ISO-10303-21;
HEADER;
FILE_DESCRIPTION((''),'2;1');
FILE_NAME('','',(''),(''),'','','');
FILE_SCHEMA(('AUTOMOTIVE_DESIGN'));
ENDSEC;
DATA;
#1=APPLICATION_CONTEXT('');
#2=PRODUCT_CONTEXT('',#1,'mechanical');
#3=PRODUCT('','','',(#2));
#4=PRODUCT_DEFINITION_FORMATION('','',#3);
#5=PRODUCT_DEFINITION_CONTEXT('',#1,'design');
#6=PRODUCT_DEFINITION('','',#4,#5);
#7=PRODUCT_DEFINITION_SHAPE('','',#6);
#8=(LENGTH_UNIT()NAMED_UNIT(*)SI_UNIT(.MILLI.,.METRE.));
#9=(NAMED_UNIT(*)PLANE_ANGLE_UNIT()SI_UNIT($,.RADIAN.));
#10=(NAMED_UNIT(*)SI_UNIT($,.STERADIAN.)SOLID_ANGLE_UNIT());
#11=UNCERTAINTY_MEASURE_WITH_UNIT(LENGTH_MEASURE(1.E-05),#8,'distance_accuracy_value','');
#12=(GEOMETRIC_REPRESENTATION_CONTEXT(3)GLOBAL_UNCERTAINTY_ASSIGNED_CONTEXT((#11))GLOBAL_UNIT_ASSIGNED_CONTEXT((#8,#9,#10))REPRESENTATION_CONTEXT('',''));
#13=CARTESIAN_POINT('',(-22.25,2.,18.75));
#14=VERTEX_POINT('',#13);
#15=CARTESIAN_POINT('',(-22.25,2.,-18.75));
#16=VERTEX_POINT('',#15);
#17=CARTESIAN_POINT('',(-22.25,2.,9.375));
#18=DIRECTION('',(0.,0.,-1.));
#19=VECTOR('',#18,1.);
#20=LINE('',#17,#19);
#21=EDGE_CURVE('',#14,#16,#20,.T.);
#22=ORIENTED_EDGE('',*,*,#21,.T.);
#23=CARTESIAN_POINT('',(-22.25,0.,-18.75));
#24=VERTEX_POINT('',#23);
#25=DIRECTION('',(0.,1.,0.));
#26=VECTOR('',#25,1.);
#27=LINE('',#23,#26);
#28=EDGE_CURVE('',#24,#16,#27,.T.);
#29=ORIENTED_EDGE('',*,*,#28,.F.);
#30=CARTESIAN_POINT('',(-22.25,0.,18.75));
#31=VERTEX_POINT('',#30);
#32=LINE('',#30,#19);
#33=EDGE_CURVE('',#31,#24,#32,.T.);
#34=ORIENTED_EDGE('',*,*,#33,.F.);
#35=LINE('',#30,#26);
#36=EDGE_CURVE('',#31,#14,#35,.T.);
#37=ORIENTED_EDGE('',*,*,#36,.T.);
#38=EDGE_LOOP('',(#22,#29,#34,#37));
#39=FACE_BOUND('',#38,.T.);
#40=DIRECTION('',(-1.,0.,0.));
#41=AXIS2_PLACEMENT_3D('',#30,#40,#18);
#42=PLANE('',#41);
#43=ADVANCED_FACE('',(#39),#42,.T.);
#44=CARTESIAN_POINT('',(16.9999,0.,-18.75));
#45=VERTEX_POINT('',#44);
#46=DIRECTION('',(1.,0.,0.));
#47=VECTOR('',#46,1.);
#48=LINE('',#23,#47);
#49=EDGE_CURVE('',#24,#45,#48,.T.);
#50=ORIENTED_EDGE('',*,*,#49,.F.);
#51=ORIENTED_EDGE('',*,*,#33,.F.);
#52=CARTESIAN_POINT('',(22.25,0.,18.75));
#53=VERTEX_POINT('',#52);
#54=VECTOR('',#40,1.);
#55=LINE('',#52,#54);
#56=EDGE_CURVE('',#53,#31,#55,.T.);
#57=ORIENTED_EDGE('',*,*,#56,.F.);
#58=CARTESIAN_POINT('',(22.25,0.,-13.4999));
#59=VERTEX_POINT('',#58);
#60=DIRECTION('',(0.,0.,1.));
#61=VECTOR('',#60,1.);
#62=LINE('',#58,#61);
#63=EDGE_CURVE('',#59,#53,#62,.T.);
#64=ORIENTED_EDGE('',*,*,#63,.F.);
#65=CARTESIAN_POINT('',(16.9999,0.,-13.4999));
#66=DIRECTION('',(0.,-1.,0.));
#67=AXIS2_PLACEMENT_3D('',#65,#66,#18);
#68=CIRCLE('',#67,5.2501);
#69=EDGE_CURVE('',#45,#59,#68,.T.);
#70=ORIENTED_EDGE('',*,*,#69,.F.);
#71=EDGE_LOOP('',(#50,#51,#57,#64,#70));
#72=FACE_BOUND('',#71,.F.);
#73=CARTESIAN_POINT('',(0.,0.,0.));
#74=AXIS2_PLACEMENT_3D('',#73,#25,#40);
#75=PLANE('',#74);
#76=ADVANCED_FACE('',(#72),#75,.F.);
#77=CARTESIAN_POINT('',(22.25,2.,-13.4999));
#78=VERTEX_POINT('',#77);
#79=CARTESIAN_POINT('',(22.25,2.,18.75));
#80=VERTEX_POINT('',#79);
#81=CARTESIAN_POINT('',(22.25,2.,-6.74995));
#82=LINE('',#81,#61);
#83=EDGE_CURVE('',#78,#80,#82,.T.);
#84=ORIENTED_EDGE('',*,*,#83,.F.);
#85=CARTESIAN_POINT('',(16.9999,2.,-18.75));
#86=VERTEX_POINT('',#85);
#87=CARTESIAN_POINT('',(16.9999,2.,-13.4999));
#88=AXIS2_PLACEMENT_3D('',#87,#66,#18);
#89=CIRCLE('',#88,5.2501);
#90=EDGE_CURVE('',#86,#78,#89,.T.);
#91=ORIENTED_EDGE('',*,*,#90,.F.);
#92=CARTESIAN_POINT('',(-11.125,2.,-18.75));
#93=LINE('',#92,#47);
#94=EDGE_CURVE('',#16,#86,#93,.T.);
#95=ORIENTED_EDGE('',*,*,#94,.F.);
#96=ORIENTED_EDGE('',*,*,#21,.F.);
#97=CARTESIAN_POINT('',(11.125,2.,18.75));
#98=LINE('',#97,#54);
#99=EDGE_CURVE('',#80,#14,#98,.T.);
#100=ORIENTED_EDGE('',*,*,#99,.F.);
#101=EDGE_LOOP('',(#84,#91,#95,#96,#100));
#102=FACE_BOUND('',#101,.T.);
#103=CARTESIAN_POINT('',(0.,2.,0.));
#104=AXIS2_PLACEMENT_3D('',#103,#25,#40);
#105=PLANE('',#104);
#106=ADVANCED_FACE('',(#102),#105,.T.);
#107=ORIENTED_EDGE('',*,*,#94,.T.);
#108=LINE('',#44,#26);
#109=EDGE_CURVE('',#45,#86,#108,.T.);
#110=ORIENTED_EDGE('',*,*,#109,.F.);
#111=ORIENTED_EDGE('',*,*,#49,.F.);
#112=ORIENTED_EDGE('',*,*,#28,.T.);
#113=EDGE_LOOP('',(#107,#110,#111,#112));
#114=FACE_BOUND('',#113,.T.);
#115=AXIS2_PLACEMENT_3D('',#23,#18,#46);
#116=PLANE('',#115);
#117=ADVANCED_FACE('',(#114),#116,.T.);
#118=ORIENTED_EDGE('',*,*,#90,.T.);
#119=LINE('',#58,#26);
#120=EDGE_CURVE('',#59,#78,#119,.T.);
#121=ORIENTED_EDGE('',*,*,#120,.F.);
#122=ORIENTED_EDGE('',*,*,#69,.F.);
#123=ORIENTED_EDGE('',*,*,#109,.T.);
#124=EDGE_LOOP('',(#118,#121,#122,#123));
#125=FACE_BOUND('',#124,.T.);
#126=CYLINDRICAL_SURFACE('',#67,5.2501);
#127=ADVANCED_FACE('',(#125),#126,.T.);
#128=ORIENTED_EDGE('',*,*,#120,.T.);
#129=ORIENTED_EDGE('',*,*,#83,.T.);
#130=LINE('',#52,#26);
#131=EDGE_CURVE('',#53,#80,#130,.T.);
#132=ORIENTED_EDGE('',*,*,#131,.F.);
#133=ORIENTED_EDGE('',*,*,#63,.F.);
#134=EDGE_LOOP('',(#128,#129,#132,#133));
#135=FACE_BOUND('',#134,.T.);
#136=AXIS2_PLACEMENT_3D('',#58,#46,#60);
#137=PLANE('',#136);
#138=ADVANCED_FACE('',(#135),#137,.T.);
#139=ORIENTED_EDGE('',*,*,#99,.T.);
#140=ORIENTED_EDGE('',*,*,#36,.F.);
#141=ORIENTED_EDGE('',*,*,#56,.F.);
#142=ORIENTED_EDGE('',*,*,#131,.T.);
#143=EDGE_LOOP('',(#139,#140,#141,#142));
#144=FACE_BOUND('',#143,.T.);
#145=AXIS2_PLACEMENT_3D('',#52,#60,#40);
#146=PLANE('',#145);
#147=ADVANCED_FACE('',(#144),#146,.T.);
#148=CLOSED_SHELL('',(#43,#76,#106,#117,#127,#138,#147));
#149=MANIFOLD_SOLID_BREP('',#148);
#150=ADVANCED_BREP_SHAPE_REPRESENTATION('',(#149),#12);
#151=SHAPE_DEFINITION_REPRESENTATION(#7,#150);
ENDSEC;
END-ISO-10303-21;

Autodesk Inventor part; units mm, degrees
ref_plane "YZ Plane" through (0, 0, 0) normal (1, 0, 0) x (0, 1, 0)
ref_plane "XZ Plane" through (0, 0, 0) normal (0, 1, 0) x (-1, 0, 0)
ref_plane "XY Plane" through (0, 0, 0) normal (0, 0, 1) x (1, 0, 0)
sketch "Sketch1" plane through (0, 0, 0) normal (0, 1, 0) x (-1, 0, 0)
  line L0 (35, 0) -> (-35, 0) construction
  line L1 (0, -28) -> (0, 28) construction
  line L2 (-25, 20) -> (25, 20)
  line L3 (25, 20) -> (25, -20)
  line L4 (25, -20) -> (-25, -20)
  line L5 (-25, -20) -> (-25, 20)
  line L6 (-25, 0) -> (25, 0) construction
  point P0 (0, 0)
  dimension "d0" = 50
  dimension "d1" = 40
extrude "Extrusion1" add sketch "Sketch1" along normal blind 2
sketch "Sketch2" plane through (0, 0, 0) normal (0, -1, 0) x (1, 0, 0)
  line L0 (22.5, 19) -> (22.5, -13.4999) construction
  arc A0 (16.9999, -19) -> (22.5, -13.4999) centre (16.9999, -13.4999) ccw construction
  line L1 (16.9999, -19) -> (-22.5, -19) construction
  line L2 (-22.5, -19) -> (-22.5, 19) construction
  line L3 (-22.5, 19) -> (22.5, 19) construction
  line L4 (-22.25, -18.75) -> (16.9999, -18.75)
  arc A1 (16.9999, -18.75) -> (22.25, -13.4999) centre (16.9999, -13.4999) ccw
  line L5 (22.25, -13.4999) -> (22.25, 18.75)
  line L6 (22.25, 18.75) -> (-22.25, 18.75)
  line L7 (-22.25, 18.75) -> (-22.25, -18.75)
  line L8 (16.9999, -26.75) -> (-30.25, -26.75)
  line L9 (-30.25, -26.75) -> (-30.25, 26.75)
  line L10 (-30.25, 26.75) -> (30.25, 26.75)
  line L11 (30.25, 26.75) -> (30.25, -13.4999)
  arc A2 (16.9999, -26.75) -> (30.25, -13.4999) centre (16.9999, -13.4999) ccw
  point P0 (0, 0)
  dimension "d5" = 0.25
  dimension "d8" = 8
extrude "Extrusion2" cut sketch "Sketch2" against normal up to next
properties part number "plexiglas_2mm" material "Glass"
